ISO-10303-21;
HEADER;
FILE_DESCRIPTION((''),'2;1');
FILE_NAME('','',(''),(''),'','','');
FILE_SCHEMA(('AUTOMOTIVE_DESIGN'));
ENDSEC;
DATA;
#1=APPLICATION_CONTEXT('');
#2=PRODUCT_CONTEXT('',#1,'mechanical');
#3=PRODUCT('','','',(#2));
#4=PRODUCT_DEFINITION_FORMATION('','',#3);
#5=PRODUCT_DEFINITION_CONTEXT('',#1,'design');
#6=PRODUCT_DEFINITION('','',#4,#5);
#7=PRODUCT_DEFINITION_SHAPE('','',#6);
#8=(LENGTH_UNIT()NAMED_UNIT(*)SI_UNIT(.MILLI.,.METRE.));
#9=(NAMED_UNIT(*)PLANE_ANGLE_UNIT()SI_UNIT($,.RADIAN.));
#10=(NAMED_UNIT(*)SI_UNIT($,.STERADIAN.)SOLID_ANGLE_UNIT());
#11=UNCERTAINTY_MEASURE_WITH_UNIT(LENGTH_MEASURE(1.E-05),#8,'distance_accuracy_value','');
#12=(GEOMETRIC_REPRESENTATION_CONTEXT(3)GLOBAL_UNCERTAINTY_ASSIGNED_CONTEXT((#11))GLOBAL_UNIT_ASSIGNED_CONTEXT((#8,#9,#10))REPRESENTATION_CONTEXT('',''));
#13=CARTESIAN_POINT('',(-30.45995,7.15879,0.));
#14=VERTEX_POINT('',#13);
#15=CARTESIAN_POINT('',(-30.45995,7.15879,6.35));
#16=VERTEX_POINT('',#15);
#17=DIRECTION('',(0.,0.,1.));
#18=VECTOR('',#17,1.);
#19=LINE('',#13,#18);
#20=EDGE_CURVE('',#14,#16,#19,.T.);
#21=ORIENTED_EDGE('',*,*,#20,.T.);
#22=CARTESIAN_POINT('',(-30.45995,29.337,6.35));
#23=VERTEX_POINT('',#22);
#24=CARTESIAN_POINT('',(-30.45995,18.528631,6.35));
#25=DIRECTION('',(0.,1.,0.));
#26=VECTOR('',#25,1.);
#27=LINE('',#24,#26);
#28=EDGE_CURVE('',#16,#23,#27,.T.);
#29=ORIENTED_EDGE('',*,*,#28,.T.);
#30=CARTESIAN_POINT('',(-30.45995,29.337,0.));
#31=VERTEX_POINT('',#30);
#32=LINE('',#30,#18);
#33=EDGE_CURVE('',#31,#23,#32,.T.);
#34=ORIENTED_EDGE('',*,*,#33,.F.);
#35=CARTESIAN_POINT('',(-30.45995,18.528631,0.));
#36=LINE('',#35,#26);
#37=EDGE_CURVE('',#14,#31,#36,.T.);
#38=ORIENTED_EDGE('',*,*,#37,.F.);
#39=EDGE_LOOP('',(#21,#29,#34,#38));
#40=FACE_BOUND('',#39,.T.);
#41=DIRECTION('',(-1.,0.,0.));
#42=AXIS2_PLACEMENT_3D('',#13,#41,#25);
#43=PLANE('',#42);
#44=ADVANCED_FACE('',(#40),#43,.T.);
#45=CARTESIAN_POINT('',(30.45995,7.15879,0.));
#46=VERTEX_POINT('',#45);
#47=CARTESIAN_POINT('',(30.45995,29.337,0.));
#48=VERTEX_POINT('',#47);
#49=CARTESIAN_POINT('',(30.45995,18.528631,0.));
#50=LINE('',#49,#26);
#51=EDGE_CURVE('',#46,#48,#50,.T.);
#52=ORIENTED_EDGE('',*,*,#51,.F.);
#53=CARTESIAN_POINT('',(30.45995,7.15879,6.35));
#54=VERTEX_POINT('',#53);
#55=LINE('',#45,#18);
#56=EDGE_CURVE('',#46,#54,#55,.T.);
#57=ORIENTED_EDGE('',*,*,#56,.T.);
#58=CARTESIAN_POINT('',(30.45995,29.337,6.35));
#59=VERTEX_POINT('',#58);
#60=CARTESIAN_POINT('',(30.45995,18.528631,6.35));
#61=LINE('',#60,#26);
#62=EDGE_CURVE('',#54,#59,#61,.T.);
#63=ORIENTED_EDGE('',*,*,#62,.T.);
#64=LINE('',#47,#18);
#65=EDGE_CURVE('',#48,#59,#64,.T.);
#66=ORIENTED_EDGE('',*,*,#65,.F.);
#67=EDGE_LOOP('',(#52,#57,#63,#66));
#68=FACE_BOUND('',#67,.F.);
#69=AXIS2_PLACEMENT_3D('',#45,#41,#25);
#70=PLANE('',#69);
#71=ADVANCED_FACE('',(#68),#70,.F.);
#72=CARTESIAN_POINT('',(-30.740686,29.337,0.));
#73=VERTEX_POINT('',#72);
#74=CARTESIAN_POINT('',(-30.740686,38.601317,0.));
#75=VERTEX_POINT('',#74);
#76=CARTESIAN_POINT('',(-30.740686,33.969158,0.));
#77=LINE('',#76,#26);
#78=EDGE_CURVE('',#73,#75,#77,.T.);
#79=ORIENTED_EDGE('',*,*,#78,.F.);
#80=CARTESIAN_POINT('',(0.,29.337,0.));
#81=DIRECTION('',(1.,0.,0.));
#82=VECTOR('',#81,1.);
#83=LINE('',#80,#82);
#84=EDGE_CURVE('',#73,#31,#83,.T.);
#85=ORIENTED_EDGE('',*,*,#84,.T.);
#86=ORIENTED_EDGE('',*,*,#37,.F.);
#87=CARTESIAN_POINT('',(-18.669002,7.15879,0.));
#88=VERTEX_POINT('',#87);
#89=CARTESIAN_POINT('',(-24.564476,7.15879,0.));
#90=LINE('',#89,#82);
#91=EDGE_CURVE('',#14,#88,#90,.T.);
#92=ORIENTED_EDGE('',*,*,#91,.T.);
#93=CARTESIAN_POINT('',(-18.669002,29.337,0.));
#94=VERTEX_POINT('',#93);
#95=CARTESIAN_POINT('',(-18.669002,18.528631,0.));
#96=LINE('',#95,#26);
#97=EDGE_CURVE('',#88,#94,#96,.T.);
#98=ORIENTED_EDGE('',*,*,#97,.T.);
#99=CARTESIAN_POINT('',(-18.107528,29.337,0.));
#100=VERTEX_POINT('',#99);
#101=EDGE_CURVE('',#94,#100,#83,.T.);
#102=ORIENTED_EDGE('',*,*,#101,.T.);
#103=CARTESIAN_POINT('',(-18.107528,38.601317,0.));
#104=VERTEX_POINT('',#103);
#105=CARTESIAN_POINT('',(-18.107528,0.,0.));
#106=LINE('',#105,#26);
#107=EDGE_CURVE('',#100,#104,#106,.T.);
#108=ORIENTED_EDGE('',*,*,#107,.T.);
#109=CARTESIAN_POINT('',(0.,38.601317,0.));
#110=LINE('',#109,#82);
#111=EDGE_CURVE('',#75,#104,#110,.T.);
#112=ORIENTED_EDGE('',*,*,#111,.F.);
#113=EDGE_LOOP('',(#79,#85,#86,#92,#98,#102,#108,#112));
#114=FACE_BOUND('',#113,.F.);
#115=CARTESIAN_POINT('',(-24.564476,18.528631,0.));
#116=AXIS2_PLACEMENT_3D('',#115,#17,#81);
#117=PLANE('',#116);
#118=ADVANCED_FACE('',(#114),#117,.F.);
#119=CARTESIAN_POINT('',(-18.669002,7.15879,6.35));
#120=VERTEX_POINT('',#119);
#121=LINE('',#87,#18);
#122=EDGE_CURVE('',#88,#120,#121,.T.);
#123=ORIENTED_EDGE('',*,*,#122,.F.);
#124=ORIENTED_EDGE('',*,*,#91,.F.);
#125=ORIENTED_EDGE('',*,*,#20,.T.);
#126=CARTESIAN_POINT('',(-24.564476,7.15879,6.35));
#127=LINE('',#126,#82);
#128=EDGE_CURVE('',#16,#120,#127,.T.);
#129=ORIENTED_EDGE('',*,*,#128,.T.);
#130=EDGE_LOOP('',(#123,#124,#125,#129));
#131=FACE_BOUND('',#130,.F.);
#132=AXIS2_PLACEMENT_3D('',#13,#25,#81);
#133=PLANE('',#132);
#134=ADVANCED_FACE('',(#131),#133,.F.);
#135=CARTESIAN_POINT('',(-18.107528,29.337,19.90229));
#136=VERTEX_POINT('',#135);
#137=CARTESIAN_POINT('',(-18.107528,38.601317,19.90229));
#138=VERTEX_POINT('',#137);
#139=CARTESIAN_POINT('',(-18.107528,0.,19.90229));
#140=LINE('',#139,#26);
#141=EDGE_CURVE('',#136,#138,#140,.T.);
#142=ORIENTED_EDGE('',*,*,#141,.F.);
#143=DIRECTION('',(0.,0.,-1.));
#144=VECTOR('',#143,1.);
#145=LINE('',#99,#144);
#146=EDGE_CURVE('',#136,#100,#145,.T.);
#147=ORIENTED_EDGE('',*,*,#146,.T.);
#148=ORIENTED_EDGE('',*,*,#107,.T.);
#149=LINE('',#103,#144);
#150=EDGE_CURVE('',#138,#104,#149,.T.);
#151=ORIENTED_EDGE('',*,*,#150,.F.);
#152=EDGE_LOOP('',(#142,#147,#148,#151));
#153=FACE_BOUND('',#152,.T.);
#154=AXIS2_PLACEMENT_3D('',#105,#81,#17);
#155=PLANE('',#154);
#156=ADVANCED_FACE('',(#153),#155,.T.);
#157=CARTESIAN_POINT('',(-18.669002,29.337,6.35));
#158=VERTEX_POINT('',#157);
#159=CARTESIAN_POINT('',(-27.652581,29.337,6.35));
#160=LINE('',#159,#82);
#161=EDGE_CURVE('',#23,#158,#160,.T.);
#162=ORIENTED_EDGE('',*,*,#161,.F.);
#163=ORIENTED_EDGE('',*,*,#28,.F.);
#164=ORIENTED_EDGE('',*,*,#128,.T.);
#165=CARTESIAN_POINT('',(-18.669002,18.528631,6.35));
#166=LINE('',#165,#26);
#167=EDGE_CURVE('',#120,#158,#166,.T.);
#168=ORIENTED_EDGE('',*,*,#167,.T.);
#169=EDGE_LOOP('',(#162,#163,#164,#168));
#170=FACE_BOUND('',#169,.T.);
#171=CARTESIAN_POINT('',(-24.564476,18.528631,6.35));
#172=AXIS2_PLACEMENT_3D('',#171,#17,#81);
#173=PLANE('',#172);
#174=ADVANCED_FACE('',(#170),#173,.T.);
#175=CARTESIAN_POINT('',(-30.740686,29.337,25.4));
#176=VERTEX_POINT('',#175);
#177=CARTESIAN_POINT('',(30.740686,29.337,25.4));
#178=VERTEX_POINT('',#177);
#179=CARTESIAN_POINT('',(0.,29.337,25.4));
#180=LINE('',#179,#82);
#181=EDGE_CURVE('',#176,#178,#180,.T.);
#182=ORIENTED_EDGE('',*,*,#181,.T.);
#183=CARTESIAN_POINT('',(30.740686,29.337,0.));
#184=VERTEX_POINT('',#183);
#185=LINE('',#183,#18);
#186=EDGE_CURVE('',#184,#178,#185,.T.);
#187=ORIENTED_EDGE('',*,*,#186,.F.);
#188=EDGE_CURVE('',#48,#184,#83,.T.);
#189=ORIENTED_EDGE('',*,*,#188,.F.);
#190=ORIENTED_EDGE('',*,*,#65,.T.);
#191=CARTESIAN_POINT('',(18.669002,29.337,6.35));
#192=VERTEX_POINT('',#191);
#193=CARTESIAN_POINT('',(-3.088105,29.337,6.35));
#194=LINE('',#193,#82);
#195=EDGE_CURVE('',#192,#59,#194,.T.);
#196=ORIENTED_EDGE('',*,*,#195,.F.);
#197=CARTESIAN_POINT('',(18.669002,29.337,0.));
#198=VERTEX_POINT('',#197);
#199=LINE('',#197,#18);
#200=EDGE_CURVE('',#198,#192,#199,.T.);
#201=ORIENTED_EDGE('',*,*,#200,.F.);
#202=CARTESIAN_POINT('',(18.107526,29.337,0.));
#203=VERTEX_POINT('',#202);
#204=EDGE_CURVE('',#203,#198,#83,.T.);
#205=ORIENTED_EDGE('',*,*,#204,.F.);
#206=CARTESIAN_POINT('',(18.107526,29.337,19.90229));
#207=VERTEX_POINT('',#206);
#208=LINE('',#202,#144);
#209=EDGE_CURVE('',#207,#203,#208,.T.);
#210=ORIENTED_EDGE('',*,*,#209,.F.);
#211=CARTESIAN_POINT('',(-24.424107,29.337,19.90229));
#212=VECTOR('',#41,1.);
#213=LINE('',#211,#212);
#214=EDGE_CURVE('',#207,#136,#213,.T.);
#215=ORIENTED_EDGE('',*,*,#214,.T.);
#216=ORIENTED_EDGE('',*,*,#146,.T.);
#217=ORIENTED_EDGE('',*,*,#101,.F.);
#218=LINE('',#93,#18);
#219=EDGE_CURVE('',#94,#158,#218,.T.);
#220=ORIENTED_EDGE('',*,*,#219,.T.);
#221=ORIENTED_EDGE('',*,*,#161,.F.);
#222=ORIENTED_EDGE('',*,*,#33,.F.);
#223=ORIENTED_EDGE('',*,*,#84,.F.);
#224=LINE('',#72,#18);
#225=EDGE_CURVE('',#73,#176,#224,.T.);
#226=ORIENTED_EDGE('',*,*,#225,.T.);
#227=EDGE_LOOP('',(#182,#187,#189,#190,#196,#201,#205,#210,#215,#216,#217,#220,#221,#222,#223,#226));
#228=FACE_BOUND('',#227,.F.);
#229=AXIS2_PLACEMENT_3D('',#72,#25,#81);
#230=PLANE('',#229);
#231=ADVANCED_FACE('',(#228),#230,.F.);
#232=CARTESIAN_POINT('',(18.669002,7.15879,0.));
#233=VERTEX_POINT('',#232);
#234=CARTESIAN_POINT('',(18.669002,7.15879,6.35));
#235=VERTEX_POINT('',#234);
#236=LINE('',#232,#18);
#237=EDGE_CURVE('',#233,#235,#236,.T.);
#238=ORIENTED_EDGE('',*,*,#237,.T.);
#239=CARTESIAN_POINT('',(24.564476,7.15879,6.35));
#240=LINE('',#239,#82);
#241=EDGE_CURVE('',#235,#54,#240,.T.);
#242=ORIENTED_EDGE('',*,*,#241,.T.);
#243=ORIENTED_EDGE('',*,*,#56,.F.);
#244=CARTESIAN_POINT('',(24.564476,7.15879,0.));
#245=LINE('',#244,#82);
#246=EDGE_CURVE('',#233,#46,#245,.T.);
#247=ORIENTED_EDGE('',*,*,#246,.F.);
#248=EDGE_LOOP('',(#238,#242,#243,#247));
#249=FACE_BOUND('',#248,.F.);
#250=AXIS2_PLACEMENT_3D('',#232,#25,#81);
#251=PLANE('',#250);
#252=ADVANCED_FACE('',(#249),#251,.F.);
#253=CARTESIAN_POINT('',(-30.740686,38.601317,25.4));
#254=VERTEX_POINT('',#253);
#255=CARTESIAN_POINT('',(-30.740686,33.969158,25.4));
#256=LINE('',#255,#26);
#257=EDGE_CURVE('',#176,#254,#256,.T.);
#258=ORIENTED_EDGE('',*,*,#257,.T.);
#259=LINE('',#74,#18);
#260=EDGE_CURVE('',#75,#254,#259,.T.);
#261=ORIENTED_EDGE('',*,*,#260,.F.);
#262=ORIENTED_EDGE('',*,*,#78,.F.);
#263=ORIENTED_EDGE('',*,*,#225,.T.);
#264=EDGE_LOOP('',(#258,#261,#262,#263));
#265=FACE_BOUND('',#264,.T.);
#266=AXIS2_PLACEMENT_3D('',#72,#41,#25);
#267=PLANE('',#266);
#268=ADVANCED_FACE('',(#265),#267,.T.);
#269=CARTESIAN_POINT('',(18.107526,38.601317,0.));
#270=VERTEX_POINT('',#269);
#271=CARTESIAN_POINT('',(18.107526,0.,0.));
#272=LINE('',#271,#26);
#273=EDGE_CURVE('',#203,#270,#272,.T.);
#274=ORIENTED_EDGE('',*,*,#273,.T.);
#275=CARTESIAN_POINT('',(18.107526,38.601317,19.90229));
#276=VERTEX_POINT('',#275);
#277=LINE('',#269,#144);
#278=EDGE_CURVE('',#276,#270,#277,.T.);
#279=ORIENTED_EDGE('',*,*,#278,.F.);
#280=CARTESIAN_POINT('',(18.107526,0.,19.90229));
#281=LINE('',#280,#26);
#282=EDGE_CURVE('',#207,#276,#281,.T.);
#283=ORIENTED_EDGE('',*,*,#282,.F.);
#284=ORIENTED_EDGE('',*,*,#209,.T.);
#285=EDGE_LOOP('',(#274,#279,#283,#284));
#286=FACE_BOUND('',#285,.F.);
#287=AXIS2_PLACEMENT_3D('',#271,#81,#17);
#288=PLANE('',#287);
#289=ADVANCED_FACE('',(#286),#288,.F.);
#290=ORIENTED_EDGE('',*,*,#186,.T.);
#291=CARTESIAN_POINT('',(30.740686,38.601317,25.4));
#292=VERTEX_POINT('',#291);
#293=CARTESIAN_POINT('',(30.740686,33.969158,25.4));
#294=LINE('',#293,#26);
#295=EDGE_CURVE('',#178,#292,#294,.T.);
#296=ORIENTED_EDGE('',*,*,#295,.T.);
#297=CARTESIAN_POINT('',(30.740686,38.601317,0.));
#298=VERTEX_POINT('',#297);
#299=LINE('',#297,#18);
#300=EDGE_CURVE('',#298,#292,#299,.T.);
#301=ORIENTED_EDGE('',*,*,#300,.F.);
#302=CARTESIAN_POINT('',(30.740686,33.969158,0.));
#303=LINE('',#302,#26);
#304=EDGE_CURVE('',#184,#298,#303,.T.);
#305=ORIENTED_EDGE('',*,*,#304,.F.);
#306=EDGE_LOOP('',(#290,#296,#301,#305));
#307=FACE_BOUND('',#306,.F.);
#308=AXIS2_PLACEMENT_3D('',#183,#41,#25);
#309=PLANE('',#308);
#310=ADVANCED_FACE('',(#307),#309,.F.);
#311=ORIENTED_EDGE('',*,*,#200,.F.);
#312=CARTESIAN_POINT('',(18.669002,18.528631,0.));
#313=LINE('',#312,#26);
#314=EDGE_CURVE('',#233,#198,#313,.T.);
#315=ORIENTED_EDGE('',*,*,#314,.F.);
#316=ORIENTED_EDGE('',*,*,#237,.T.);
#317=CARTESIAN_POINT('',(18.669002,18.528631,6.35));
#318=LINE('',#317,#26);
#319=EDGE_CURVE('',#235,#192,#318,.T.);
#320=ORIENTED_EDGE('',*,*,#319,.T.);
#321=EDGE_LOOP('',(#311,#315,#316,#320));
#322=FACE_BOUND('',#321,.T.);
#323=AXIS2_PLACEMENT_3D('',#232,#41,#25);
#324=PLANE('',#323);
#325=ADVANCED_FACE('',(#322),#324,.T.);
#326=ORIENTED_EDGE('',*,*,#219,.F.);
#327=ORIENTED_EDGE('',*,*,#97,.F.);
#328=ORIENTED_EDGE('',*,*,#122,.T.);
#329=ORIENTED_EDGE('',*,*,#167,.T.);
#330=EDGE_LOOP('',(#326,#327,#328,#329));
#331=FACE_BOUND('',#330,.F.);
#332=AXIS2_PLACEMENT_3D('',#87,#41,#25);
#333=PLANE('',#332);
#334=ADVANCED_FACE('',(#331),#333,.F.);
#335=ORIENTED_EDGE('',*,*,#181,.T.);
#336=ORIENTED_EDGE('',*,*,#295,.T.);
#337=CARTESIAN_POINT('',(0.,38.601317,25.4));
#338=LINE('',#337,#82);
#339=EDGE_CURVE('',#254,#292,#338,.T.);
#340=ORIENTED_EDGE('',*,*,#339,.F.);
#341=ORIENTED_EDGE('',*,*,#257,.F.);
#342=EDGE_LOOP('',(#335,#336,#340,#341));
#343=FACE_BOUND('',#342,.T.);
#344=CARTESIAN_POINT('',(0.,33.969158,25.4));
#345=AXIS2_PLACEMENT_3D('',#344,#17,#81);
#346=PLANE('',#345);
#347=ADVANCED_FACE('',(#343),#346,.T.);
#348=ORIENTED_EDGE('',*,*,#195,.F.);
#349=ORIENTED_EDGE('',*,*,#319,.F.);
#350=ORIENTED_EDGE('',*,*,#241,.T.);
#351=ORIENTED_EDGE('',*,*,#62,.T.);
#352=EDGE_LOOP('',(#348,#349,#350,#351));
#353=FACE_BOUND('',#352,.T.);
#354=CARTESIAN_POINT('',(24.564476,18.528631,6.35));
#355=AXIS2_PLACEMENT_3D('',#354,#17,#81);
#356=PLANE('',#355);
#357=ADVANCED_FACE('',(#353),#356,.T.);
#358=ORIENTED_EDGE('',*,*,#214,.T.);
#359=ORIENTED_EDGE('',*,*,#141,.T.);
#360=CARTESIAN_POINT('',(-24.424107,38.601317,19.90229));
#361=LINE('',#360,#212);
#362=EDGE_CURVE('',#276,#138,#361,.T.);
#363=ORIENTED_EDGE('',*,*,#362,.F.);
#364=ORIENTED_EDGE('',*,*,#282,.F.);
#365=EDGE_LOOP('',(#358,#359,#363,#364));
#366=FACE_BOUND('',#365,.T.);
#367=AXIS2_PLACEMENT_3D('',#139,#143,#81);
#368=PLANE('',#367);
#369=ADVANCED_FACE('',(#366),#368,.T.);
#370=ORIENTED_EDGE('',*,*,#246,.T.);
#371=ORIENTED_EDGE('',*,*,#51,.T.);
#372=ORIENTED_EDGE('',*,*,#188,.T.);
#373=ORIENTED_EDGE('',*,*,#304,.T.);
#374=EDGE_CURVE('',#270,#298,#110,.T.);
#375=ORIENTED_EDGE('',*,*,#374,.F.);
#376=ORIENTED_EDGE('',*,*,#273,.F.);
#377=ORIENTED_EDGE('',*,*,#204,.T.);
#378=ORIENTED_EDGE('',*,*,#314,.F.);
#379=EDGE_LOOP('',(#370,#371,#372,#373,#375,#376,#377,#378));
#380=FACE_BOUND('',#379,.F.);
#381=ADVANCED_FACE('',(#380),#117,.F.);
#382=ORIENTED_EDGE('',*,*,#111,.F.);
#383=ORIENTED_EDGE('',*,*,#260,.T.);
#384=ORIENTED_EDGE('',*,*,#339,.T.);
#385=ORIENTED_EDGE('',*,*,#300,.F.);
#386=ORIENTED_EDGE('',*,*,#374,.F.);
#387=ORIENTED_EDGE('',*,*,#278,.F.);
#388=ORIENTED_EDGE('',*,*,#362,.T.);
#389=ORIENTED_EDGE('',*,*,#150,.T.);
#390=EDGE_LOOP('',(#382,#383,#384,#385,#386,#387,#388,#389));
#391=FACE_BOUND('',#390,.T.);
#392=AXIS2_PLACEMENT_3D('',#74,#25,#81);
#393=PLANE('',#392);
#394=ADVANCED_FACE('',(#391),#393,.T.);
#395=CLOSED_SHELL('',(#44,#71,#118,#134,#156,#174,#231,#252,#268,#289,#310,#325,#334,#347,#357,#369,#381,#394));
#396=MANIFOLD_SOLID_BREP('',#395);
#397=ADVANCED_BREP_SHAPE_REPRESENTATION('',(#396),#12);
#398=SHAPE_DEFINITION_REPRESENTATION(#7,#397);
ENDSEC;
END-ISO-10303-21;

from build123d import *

# Parameters (mm, degrees)
F0_W     = 61.481372
F0_H     = 9.264317
F1_DEPTH = 25.4
F2_W     = 11.790948
F2_H     = 22.739682
F3_DEPTH = 6.35
F4_W     = 36.215054
F4_H     = 19.90229
F5_DEPTH = 38.602317


with BuildPart() as f1:
    # F0 (on Top) → F1 (new body)
    with BuildSketch(Plane.XY):
        with Locations((0, 33.969158)):
            Rectangle(F0_W, F0_H)
    extrude(amount=F1_DEPTH)

    # F2 (on Top) → F3 (join)
    with BuildSketch(Plane.XY):
        with Locations((-24.564476, 18.528631)):
            Rectangle(F2_W, F2_H)
        with Locations((24.564476, 18.528631)):
            Rectangle(F2_W, F2_H)
    extrude(amount=F3_DEPTH)

    # F4 (on Front) → F5 (cut, through all)
    with BuildSketch(Plane.XZ):
        with Locations((-1e-06, 9.951145)):
            Rectangle(F4_W, F4_H)
    extrude(amount=-F5_DEPTH, mode=Mode.SUBTRACT)


solid = f1.part
